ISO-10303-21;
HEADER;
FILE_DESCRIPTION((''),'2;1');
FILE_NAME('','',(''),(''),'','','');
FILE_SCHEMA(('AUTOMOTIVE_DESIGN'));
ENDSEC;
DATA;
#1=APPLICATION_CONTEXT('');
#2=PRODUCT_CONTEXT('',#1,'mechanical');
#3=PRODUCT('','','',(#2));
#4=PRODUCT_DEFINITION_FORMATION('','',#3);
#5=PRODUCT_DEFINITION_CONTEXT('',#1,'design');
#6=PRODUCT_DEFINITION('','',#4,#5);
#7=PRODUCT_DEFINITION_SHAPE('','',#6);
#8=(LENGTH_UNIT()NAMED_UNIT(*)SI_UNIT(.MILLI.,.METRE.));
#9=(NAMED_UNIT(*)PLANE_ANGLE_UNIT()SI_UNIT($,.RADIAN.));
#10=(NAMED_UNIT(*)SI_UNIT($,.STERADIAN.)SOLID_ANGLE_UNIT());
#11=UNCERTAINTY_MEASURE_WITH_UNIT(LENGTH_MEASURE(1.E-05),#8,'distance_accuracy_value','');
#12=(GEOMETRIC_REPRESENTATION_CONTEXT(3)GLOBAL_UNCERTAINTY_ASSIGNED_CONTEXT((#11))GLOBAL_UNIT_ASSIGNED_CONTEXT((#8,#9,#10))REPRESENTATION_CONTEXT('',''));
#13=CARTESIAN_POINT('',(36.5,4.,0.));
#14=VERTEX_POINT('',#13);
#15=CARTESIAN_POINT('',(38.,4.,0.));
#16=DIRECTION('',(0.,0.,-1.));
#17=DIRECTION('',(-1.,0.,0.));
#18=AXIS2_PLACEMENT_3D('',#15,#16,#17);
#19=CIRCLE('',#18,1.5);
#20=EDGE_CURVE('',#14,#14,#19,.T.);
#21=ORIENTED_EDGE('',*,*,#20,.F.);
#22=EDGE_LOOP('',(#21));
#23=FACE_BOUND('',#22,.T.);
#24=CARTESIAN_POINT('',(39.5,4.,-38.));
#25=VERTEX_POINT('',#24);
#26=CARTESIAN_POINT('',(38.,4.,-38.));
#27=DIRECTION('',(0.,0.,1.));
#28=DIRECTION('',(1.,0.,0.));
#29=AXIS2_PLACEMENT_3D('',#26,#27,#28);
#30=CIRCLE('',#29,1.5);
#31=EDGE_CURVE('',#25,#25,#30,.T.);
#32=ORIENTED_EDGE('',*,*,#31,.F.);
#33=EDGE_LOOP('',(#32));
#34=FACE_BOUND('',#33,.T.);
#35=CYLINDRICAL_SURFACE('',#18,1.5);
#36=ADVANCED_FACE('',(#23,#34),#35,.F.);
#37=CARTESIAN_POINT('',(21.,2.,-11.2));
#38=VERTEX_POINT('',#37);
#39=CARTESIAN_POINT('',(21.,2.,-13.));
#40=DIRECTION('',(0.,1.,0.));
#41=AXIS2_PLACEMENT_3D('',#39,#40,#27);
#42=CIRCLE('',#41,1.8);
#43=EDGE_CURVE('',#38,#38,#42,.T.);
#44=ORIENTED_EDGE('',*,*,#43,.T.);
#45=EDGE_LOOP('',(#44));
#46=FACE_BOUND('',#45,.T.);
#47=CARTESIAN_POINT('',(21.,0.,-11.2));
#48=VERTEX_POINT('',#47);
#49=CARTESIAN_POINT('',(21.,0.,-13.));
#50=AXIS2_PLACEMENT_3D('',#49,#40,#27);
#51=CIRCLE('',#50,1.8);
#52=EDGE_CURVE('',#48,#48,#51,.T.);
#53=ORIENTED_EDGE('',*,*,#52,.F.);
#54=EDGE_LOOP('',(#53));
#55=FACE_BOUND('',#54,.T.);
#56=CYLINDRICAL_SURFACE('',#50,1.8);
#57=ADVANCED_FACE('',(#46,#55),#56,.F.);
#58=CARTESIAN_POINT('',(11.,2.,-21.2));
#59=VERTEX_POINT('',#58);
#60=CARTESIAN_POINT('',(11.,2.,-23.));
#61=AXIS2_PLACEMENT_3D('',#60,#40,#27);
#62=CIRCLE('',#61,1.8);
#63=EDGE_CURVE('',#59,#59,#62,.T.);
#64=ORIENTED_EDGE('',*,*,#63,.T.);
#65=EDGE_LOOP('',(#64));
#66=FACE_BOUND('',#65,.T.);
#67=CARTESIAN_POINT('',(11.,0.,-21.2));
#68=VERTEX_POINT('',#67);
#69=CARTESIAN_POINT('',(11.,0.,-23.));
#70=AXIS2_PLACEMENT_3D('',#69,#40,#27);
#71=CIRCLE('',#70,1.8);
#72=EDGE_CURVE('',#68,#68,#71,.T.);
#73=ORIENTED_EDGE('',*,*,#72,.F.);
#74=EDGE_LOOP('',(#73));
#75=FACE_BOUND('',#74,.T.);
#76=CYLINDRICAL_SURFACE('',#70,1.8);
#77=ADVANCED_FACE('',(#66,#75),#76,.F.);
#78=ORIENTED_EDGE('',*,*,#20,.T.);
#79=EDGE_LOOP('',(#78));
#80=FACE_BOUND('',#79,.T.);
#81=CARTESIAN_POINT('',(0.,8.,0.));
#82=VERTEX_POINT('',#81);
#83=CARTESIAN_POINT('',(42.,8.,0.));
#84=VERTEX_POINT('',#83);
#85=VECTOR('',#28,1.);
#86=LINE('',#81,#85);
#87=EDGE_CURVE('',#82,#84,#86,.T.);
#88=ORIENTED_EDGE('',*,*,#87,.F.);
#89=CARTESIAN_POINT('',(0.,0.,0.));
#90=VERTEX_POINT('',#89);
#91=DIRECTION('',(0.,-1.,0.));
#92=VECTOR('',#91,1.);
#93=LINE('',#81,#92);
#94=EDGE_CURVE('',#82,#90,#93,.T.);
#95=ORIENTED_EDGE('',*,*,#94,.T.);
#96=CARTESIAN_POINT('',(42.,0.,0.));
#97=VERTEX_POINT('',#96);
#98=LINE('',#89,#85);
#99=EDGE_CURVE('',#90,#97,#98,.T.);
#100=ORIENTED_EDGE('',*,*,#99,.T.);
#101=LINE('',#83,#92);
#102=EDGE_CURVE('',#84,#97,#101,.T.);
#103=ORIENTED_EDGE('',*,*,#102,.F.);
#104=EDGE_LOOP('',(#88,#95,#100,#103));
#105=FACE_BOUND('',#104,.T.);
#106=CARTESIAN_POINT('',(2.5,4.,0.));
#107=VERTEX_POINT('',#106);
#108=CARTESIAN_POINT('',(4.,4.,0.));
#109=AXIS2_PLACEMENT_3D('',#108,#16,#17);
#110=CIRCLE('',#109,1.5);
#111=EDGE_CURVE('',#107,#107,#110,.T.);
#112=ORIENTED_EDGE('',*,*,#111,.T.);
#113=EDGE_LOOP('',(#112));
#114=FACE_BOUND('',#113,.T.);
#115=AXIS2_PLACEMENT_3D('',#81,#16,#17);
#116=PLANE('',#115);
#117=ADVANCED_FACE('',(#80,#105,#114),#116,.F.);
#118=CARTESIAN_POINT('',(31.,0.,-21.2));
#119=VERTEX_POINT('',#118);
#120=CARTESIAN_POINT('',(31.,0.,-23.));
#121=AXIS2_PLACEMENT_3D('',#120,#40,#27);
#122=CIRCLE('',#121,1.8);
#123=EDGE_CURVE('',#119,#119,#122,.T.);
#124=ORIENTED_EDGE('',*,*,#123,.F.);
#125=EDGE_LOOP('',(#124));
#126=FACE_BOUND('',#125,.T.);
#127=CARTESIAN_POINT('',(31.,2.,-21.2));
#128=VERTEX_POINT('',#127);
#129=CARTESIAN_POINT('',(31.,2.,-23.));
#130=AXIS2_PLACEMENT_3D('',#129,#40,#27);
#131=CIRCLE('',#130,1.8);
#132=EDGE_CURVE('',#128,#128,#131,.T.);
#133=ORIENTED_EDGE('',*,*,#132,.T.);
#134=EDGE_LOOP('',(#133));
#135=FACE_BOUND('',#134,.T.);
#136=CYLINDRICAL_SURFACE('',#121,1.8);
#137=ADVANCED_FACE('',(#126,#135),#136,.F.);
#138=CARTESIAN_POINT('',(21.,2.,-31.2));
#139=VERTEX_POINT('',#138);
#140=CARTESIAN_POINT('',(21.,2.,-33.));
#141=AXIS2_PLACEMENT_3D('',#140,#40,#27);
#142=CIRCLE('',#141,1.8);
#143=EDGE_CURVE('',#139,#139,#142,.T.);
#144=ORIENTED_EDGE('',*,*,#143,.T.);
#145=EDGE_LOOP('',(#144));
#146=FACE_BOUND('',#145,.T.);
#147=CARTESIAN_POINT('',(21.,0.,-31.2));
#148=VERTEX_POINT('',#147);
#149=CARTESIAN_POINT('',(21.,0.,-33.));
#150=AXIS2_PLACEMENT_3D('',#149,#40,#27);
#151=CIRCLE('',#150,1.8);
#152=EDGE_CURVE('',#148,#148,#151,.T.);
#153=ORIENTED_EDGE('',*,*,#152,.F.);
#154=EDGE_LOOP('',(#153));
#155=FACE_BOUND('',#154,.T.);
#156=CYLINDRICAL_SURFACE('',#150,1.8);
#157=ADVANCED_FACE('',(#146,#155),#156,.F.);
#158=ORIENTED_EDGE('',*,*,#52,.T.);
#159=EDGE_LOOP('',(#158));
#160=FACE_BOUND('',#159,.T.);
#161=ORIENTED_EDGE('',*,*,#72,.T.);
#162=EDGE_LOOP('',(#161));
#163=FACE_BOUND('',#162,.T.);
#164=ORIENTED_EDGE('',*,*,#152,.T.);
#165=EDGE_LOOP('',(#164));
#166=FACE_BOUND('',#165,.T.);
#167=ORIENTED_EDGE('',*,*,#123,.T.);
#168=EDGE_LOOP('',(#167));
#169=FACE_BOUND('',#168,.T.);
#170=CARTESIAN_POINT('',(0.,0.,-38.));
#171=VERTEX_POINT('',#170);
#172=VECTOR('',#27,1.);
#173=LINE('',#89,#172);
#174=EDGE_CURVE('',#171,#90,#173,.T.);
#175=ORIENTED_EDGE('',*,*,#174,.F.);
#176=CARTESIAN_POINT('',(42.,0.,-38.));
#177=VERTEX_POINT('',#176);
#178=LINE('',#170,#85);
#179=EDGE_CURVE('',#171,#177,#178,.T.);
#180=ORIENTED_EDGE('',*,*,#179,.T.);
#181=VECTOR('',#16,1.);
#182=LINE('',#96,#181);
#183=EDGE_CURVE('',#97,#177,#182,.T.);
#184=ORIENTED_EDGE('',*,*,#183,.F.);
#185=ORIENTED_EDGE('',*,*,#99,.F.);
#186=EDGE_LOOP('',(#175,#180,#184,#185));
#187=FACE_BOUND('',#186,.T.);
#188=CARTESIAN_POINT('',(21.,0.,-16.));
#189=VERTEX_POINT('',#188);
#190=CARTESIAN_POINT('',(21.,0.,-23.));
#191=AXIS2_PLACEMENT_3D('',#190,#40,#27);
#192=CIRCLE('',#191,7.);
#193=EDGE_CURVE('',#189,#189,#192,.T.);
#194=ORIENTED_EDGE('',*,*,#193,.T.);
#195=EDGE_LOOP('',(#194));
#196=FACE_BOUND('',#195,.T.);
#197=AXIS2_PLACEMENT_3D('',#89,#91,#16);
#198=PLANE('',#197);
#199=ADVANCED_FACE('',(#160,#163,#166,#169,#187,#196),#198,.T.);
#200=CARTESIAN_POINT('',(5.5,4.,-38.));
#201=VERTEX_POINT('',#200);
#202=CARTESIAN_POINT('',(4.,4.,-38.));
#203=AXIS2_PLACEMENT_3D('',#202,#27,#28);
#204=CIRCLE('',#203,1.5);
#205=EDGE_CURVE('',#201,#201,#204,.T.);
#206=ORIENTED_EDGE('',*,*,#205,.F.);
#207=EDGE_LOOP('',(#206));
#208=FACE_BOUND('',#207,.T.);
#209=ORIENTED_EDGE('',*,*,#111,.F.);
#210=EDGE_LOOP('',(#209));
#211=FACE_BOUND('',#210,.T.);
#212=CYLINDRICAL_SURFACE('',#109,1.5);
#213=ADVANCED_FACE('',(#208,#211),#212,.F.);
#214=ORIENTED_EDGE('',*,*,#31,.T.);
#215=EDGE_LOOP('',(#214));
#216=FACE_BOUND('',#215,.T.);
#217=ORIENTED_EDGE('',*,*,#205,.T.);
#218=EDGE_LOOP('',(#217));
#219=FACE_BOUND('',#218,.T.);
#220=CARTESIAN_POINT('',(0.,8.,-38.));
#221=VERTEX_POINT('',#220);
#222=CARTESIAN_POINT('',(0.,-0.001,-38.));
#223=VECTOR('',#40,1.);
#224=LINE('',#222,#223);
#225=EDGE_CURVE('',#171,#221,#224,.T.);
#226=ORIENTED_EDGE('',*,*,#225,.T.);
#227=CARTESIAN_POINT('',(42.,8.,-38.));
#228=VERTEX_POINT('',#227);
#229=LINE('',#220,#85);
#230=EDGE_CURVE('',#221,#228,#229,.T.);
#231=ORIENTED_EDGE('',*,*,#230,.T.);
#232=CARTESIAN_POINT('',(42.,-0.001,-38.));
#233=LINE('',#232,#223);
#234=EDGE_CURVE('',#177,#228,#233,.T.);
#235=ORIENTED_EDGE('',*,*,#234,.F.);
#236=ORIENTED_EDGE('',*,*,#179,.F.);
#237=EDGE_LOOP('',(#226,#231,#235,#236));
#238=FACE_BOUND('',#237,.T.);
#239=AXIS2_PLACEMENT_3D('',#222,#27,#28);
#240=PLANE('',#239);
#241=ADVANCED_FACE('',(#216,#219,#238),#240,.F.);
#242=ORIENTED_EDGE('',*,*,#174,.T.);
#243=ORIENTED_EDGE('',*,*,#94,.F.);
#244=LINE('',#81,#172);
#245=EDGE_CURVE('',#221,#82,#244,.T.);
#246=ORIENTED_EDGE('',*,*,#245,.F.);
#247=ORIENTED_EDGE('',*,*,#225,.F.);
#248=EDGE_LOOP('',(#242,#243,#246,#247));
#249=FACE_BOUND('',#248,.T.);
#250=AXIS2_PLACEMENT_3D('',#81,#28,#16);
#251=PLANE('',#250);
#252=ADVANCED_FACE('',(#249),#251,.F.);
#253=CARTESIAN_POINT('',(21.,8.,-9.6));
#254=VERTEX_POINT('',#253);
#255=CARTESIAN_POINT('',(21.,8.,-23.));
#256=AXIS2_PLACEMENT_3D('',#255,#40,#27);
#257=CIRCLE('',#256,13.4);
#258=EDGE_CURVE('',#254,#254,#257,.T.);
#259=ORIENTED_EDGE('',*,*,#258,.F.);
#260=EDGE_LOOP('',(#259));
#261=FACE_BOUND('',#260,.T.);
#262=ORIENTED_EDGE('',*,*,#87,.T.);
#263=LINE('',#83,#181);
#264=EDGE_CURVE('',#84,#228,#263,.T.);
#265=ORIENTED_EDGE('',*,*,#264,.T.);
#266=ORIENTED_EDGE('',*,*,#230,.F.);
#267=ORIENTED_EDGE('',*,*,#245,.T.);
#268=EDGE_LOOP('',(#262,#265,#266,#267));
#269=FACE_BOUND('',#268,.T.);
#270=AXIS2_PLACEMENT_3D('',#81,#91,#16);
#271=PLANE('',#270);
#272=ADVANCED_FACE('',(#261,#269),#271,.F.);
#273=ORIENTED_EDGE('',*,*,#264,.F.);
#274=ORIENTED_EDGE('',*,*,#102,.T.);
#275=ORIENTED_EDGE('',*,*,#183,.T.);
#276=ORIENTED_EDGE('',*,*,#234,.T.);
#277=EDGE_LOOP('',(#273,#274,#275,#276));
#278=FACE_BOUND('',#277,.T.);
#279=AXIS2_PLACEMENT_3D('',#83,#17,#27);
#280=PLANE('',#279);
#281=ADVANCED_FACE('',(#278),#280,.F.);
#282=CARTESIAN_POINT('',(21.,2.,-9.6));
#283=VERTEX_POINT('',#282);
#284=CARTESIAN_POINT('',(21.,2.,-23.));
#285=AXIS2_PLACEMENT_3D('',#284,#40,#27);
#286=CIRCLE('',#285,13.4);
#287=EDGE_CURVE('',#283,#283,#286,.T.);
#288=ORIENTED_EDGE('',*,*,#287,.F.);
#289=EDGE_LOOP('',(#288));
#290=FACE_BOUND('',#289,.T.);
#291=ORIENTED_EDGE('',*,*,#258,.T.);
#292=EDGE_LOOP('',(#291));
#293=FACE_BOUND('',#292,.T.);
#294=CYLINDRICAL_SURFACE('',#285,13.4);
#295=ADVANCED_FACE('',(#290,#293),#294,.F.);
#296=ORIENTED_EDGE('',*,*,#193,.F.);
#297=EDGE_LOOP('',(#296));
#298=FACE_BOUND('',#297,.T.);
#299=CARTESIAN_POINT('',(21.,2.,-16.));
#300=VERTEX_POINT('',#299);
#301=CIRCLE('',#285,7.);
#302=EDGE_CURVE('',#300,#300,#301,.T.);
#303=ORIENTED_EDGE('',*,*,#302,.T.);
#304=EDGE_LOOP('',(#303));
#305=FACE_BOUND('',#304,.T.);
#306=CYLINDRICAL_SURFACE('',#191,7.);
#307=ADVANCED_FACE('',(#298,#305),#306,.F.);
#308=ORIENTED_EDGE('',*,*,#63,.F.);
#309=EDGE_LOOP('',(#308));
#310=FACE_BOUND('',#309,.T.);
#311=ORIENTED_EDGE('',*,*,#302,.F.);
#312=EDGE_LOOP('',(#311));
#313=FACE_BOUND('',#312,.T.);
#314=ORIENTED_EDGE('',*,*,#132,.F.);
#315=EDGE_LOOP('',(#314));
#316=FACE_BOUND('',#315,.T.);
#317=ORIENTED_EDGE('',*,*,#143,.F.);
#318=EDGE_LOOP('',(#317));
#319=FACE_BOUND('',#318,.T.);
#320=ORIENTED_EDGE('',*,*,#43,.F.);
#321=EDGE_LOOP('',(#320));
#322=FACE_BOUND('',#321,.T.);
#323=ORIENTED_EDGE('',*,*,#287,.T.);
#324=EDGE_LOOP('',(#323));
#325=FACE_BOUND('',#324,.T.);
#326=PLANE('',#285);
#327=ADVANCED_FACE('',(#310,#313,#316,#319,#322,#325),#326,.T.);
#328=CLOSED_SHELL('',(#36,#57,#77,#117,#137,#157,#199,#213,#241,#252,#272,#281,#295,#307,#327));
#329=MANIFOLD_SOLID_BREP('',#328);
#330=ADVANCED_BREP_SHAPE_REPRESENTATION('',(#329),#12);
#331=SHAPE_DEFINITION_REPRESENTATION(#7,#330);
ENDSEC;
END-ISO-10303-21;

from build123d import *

# Parameters (mm, degrees)
ESQUISSE1_W             = 42
ESQUISSE1_H             = 46
BOSS_EXTRU_1_DEPTH      = 8
ESQUISSE2_R             = 13.4
ENL_V_MAT_EXTRU_1_DEPTH = 6
ESQUISSE3_R             = 7
ESQUISSE3_R_2           = 1.8
ENL_V_MAT_EXTRU_2_DEPTH = 3
ESQUISSE4_R             = 1.5
ENL_V_MAT_EXTRU_3_DEPTH = 47
ENL_V_MAT_EXTRU_4_REACH = 10
ESQUISSE5_W             = 42
ESQUISSE5_H             = 8


with BuildPart() as part:
    # Esquisse1 → Boss.-Extru.1 (new body)
    with BuildSketch(Plane(origin=(0, 0, 0), x_dir=(1, 0, 0), z_dir=(0, 1, 0))):
        with Locations((21, 23)):
            Rectangle(ESQUISSE1_W, ESQUISSE1_H)
    extrude(amount=BOSS_EXTRU_1_DEPTH)

    # Esquisse2 → Enlèv. mat.-Extru.1 (cut)
    with BuildSketch(Plane(origin=(0, 8, 0), x_dir=(1, 0, 0), z_dir=(0, 1, 0))):
        with Locations((21, 23)):
            Circle(ESQUISSE2_R)
    extrude(amount=-ENL_V_MAT_EXTRU_1_DEPTH, mode=Mode.SUBTRACT)

    # Esquisse3 → Enlèv. mat.-Extru.2 (cut, through all)
    with BuildSketch(Plane(origin=(0, 2, 0), x_dir=(1, 0, 0), z_dir=(0, 1, 0))):
        with Locations((21, 23)):
            Circle(ESQUISSE3_R)
        with Locations((21, 33)):
            Circle(ESQUISSE3_R_2)
        with Locations((31, 23)):
            Circle(ESQUISSE3_R_2)
        with Locations((21, 13)):
            Circle(ESQUISSE3_R_2)
        with Locations((11, 23)):
            Circle(ESQUISSE3_R_2)
    extrude(amount=-ENL_V_MAT_EXTRU_2_DEPTH, mode=Mode.SUBTRACT)

    # Esquisse4 → Enlèv. mat.-Extru.3 (cut, through all)
    with BuildSketch(Plane(origin=(0, 0, -46), x_dir=(-1, 0, 0), z_dir=(0, 0, -1))):
        with Locations((-38, 4)):
            Circle(ESQUISSE4_R)
        with Locations((-4, 4)):
            Circle(ESQUISSE4_R)
    extrude(amount=-ENL_V_MAT_EXTRU_3_DEPTH, mode=Mode.SUBTRACT)

    # Esquisse5 → Enlèv. mat.-Extru.4 (cut, up to next)
    with BuildSketch(Plane(origin=(0, 8, 0), x_dir=(1, 0, 0), z_dir=(0, 1, 0)), mode=Mode.PRIVATE) as enl_v_mat_extru_4_sk1:
        with Locations((21, 42)):
            Rectangle(ESQUISSE5_W, ESQUISSE5_H)
    enl_v_mat_extru_4_tool1 = extrude(enl_v_mat_extru_4_sk1.sketch, amount=-ENL_V_MAT_EXTRU_4_REACH, mode=Mode.PRIVATE) & part.part
    add(enl_v_mat_extru_4_tool1.solids().sort_by_distance((21, 8, -42))[0], mode=Mode.SUBTRACT)


solid = part.part
